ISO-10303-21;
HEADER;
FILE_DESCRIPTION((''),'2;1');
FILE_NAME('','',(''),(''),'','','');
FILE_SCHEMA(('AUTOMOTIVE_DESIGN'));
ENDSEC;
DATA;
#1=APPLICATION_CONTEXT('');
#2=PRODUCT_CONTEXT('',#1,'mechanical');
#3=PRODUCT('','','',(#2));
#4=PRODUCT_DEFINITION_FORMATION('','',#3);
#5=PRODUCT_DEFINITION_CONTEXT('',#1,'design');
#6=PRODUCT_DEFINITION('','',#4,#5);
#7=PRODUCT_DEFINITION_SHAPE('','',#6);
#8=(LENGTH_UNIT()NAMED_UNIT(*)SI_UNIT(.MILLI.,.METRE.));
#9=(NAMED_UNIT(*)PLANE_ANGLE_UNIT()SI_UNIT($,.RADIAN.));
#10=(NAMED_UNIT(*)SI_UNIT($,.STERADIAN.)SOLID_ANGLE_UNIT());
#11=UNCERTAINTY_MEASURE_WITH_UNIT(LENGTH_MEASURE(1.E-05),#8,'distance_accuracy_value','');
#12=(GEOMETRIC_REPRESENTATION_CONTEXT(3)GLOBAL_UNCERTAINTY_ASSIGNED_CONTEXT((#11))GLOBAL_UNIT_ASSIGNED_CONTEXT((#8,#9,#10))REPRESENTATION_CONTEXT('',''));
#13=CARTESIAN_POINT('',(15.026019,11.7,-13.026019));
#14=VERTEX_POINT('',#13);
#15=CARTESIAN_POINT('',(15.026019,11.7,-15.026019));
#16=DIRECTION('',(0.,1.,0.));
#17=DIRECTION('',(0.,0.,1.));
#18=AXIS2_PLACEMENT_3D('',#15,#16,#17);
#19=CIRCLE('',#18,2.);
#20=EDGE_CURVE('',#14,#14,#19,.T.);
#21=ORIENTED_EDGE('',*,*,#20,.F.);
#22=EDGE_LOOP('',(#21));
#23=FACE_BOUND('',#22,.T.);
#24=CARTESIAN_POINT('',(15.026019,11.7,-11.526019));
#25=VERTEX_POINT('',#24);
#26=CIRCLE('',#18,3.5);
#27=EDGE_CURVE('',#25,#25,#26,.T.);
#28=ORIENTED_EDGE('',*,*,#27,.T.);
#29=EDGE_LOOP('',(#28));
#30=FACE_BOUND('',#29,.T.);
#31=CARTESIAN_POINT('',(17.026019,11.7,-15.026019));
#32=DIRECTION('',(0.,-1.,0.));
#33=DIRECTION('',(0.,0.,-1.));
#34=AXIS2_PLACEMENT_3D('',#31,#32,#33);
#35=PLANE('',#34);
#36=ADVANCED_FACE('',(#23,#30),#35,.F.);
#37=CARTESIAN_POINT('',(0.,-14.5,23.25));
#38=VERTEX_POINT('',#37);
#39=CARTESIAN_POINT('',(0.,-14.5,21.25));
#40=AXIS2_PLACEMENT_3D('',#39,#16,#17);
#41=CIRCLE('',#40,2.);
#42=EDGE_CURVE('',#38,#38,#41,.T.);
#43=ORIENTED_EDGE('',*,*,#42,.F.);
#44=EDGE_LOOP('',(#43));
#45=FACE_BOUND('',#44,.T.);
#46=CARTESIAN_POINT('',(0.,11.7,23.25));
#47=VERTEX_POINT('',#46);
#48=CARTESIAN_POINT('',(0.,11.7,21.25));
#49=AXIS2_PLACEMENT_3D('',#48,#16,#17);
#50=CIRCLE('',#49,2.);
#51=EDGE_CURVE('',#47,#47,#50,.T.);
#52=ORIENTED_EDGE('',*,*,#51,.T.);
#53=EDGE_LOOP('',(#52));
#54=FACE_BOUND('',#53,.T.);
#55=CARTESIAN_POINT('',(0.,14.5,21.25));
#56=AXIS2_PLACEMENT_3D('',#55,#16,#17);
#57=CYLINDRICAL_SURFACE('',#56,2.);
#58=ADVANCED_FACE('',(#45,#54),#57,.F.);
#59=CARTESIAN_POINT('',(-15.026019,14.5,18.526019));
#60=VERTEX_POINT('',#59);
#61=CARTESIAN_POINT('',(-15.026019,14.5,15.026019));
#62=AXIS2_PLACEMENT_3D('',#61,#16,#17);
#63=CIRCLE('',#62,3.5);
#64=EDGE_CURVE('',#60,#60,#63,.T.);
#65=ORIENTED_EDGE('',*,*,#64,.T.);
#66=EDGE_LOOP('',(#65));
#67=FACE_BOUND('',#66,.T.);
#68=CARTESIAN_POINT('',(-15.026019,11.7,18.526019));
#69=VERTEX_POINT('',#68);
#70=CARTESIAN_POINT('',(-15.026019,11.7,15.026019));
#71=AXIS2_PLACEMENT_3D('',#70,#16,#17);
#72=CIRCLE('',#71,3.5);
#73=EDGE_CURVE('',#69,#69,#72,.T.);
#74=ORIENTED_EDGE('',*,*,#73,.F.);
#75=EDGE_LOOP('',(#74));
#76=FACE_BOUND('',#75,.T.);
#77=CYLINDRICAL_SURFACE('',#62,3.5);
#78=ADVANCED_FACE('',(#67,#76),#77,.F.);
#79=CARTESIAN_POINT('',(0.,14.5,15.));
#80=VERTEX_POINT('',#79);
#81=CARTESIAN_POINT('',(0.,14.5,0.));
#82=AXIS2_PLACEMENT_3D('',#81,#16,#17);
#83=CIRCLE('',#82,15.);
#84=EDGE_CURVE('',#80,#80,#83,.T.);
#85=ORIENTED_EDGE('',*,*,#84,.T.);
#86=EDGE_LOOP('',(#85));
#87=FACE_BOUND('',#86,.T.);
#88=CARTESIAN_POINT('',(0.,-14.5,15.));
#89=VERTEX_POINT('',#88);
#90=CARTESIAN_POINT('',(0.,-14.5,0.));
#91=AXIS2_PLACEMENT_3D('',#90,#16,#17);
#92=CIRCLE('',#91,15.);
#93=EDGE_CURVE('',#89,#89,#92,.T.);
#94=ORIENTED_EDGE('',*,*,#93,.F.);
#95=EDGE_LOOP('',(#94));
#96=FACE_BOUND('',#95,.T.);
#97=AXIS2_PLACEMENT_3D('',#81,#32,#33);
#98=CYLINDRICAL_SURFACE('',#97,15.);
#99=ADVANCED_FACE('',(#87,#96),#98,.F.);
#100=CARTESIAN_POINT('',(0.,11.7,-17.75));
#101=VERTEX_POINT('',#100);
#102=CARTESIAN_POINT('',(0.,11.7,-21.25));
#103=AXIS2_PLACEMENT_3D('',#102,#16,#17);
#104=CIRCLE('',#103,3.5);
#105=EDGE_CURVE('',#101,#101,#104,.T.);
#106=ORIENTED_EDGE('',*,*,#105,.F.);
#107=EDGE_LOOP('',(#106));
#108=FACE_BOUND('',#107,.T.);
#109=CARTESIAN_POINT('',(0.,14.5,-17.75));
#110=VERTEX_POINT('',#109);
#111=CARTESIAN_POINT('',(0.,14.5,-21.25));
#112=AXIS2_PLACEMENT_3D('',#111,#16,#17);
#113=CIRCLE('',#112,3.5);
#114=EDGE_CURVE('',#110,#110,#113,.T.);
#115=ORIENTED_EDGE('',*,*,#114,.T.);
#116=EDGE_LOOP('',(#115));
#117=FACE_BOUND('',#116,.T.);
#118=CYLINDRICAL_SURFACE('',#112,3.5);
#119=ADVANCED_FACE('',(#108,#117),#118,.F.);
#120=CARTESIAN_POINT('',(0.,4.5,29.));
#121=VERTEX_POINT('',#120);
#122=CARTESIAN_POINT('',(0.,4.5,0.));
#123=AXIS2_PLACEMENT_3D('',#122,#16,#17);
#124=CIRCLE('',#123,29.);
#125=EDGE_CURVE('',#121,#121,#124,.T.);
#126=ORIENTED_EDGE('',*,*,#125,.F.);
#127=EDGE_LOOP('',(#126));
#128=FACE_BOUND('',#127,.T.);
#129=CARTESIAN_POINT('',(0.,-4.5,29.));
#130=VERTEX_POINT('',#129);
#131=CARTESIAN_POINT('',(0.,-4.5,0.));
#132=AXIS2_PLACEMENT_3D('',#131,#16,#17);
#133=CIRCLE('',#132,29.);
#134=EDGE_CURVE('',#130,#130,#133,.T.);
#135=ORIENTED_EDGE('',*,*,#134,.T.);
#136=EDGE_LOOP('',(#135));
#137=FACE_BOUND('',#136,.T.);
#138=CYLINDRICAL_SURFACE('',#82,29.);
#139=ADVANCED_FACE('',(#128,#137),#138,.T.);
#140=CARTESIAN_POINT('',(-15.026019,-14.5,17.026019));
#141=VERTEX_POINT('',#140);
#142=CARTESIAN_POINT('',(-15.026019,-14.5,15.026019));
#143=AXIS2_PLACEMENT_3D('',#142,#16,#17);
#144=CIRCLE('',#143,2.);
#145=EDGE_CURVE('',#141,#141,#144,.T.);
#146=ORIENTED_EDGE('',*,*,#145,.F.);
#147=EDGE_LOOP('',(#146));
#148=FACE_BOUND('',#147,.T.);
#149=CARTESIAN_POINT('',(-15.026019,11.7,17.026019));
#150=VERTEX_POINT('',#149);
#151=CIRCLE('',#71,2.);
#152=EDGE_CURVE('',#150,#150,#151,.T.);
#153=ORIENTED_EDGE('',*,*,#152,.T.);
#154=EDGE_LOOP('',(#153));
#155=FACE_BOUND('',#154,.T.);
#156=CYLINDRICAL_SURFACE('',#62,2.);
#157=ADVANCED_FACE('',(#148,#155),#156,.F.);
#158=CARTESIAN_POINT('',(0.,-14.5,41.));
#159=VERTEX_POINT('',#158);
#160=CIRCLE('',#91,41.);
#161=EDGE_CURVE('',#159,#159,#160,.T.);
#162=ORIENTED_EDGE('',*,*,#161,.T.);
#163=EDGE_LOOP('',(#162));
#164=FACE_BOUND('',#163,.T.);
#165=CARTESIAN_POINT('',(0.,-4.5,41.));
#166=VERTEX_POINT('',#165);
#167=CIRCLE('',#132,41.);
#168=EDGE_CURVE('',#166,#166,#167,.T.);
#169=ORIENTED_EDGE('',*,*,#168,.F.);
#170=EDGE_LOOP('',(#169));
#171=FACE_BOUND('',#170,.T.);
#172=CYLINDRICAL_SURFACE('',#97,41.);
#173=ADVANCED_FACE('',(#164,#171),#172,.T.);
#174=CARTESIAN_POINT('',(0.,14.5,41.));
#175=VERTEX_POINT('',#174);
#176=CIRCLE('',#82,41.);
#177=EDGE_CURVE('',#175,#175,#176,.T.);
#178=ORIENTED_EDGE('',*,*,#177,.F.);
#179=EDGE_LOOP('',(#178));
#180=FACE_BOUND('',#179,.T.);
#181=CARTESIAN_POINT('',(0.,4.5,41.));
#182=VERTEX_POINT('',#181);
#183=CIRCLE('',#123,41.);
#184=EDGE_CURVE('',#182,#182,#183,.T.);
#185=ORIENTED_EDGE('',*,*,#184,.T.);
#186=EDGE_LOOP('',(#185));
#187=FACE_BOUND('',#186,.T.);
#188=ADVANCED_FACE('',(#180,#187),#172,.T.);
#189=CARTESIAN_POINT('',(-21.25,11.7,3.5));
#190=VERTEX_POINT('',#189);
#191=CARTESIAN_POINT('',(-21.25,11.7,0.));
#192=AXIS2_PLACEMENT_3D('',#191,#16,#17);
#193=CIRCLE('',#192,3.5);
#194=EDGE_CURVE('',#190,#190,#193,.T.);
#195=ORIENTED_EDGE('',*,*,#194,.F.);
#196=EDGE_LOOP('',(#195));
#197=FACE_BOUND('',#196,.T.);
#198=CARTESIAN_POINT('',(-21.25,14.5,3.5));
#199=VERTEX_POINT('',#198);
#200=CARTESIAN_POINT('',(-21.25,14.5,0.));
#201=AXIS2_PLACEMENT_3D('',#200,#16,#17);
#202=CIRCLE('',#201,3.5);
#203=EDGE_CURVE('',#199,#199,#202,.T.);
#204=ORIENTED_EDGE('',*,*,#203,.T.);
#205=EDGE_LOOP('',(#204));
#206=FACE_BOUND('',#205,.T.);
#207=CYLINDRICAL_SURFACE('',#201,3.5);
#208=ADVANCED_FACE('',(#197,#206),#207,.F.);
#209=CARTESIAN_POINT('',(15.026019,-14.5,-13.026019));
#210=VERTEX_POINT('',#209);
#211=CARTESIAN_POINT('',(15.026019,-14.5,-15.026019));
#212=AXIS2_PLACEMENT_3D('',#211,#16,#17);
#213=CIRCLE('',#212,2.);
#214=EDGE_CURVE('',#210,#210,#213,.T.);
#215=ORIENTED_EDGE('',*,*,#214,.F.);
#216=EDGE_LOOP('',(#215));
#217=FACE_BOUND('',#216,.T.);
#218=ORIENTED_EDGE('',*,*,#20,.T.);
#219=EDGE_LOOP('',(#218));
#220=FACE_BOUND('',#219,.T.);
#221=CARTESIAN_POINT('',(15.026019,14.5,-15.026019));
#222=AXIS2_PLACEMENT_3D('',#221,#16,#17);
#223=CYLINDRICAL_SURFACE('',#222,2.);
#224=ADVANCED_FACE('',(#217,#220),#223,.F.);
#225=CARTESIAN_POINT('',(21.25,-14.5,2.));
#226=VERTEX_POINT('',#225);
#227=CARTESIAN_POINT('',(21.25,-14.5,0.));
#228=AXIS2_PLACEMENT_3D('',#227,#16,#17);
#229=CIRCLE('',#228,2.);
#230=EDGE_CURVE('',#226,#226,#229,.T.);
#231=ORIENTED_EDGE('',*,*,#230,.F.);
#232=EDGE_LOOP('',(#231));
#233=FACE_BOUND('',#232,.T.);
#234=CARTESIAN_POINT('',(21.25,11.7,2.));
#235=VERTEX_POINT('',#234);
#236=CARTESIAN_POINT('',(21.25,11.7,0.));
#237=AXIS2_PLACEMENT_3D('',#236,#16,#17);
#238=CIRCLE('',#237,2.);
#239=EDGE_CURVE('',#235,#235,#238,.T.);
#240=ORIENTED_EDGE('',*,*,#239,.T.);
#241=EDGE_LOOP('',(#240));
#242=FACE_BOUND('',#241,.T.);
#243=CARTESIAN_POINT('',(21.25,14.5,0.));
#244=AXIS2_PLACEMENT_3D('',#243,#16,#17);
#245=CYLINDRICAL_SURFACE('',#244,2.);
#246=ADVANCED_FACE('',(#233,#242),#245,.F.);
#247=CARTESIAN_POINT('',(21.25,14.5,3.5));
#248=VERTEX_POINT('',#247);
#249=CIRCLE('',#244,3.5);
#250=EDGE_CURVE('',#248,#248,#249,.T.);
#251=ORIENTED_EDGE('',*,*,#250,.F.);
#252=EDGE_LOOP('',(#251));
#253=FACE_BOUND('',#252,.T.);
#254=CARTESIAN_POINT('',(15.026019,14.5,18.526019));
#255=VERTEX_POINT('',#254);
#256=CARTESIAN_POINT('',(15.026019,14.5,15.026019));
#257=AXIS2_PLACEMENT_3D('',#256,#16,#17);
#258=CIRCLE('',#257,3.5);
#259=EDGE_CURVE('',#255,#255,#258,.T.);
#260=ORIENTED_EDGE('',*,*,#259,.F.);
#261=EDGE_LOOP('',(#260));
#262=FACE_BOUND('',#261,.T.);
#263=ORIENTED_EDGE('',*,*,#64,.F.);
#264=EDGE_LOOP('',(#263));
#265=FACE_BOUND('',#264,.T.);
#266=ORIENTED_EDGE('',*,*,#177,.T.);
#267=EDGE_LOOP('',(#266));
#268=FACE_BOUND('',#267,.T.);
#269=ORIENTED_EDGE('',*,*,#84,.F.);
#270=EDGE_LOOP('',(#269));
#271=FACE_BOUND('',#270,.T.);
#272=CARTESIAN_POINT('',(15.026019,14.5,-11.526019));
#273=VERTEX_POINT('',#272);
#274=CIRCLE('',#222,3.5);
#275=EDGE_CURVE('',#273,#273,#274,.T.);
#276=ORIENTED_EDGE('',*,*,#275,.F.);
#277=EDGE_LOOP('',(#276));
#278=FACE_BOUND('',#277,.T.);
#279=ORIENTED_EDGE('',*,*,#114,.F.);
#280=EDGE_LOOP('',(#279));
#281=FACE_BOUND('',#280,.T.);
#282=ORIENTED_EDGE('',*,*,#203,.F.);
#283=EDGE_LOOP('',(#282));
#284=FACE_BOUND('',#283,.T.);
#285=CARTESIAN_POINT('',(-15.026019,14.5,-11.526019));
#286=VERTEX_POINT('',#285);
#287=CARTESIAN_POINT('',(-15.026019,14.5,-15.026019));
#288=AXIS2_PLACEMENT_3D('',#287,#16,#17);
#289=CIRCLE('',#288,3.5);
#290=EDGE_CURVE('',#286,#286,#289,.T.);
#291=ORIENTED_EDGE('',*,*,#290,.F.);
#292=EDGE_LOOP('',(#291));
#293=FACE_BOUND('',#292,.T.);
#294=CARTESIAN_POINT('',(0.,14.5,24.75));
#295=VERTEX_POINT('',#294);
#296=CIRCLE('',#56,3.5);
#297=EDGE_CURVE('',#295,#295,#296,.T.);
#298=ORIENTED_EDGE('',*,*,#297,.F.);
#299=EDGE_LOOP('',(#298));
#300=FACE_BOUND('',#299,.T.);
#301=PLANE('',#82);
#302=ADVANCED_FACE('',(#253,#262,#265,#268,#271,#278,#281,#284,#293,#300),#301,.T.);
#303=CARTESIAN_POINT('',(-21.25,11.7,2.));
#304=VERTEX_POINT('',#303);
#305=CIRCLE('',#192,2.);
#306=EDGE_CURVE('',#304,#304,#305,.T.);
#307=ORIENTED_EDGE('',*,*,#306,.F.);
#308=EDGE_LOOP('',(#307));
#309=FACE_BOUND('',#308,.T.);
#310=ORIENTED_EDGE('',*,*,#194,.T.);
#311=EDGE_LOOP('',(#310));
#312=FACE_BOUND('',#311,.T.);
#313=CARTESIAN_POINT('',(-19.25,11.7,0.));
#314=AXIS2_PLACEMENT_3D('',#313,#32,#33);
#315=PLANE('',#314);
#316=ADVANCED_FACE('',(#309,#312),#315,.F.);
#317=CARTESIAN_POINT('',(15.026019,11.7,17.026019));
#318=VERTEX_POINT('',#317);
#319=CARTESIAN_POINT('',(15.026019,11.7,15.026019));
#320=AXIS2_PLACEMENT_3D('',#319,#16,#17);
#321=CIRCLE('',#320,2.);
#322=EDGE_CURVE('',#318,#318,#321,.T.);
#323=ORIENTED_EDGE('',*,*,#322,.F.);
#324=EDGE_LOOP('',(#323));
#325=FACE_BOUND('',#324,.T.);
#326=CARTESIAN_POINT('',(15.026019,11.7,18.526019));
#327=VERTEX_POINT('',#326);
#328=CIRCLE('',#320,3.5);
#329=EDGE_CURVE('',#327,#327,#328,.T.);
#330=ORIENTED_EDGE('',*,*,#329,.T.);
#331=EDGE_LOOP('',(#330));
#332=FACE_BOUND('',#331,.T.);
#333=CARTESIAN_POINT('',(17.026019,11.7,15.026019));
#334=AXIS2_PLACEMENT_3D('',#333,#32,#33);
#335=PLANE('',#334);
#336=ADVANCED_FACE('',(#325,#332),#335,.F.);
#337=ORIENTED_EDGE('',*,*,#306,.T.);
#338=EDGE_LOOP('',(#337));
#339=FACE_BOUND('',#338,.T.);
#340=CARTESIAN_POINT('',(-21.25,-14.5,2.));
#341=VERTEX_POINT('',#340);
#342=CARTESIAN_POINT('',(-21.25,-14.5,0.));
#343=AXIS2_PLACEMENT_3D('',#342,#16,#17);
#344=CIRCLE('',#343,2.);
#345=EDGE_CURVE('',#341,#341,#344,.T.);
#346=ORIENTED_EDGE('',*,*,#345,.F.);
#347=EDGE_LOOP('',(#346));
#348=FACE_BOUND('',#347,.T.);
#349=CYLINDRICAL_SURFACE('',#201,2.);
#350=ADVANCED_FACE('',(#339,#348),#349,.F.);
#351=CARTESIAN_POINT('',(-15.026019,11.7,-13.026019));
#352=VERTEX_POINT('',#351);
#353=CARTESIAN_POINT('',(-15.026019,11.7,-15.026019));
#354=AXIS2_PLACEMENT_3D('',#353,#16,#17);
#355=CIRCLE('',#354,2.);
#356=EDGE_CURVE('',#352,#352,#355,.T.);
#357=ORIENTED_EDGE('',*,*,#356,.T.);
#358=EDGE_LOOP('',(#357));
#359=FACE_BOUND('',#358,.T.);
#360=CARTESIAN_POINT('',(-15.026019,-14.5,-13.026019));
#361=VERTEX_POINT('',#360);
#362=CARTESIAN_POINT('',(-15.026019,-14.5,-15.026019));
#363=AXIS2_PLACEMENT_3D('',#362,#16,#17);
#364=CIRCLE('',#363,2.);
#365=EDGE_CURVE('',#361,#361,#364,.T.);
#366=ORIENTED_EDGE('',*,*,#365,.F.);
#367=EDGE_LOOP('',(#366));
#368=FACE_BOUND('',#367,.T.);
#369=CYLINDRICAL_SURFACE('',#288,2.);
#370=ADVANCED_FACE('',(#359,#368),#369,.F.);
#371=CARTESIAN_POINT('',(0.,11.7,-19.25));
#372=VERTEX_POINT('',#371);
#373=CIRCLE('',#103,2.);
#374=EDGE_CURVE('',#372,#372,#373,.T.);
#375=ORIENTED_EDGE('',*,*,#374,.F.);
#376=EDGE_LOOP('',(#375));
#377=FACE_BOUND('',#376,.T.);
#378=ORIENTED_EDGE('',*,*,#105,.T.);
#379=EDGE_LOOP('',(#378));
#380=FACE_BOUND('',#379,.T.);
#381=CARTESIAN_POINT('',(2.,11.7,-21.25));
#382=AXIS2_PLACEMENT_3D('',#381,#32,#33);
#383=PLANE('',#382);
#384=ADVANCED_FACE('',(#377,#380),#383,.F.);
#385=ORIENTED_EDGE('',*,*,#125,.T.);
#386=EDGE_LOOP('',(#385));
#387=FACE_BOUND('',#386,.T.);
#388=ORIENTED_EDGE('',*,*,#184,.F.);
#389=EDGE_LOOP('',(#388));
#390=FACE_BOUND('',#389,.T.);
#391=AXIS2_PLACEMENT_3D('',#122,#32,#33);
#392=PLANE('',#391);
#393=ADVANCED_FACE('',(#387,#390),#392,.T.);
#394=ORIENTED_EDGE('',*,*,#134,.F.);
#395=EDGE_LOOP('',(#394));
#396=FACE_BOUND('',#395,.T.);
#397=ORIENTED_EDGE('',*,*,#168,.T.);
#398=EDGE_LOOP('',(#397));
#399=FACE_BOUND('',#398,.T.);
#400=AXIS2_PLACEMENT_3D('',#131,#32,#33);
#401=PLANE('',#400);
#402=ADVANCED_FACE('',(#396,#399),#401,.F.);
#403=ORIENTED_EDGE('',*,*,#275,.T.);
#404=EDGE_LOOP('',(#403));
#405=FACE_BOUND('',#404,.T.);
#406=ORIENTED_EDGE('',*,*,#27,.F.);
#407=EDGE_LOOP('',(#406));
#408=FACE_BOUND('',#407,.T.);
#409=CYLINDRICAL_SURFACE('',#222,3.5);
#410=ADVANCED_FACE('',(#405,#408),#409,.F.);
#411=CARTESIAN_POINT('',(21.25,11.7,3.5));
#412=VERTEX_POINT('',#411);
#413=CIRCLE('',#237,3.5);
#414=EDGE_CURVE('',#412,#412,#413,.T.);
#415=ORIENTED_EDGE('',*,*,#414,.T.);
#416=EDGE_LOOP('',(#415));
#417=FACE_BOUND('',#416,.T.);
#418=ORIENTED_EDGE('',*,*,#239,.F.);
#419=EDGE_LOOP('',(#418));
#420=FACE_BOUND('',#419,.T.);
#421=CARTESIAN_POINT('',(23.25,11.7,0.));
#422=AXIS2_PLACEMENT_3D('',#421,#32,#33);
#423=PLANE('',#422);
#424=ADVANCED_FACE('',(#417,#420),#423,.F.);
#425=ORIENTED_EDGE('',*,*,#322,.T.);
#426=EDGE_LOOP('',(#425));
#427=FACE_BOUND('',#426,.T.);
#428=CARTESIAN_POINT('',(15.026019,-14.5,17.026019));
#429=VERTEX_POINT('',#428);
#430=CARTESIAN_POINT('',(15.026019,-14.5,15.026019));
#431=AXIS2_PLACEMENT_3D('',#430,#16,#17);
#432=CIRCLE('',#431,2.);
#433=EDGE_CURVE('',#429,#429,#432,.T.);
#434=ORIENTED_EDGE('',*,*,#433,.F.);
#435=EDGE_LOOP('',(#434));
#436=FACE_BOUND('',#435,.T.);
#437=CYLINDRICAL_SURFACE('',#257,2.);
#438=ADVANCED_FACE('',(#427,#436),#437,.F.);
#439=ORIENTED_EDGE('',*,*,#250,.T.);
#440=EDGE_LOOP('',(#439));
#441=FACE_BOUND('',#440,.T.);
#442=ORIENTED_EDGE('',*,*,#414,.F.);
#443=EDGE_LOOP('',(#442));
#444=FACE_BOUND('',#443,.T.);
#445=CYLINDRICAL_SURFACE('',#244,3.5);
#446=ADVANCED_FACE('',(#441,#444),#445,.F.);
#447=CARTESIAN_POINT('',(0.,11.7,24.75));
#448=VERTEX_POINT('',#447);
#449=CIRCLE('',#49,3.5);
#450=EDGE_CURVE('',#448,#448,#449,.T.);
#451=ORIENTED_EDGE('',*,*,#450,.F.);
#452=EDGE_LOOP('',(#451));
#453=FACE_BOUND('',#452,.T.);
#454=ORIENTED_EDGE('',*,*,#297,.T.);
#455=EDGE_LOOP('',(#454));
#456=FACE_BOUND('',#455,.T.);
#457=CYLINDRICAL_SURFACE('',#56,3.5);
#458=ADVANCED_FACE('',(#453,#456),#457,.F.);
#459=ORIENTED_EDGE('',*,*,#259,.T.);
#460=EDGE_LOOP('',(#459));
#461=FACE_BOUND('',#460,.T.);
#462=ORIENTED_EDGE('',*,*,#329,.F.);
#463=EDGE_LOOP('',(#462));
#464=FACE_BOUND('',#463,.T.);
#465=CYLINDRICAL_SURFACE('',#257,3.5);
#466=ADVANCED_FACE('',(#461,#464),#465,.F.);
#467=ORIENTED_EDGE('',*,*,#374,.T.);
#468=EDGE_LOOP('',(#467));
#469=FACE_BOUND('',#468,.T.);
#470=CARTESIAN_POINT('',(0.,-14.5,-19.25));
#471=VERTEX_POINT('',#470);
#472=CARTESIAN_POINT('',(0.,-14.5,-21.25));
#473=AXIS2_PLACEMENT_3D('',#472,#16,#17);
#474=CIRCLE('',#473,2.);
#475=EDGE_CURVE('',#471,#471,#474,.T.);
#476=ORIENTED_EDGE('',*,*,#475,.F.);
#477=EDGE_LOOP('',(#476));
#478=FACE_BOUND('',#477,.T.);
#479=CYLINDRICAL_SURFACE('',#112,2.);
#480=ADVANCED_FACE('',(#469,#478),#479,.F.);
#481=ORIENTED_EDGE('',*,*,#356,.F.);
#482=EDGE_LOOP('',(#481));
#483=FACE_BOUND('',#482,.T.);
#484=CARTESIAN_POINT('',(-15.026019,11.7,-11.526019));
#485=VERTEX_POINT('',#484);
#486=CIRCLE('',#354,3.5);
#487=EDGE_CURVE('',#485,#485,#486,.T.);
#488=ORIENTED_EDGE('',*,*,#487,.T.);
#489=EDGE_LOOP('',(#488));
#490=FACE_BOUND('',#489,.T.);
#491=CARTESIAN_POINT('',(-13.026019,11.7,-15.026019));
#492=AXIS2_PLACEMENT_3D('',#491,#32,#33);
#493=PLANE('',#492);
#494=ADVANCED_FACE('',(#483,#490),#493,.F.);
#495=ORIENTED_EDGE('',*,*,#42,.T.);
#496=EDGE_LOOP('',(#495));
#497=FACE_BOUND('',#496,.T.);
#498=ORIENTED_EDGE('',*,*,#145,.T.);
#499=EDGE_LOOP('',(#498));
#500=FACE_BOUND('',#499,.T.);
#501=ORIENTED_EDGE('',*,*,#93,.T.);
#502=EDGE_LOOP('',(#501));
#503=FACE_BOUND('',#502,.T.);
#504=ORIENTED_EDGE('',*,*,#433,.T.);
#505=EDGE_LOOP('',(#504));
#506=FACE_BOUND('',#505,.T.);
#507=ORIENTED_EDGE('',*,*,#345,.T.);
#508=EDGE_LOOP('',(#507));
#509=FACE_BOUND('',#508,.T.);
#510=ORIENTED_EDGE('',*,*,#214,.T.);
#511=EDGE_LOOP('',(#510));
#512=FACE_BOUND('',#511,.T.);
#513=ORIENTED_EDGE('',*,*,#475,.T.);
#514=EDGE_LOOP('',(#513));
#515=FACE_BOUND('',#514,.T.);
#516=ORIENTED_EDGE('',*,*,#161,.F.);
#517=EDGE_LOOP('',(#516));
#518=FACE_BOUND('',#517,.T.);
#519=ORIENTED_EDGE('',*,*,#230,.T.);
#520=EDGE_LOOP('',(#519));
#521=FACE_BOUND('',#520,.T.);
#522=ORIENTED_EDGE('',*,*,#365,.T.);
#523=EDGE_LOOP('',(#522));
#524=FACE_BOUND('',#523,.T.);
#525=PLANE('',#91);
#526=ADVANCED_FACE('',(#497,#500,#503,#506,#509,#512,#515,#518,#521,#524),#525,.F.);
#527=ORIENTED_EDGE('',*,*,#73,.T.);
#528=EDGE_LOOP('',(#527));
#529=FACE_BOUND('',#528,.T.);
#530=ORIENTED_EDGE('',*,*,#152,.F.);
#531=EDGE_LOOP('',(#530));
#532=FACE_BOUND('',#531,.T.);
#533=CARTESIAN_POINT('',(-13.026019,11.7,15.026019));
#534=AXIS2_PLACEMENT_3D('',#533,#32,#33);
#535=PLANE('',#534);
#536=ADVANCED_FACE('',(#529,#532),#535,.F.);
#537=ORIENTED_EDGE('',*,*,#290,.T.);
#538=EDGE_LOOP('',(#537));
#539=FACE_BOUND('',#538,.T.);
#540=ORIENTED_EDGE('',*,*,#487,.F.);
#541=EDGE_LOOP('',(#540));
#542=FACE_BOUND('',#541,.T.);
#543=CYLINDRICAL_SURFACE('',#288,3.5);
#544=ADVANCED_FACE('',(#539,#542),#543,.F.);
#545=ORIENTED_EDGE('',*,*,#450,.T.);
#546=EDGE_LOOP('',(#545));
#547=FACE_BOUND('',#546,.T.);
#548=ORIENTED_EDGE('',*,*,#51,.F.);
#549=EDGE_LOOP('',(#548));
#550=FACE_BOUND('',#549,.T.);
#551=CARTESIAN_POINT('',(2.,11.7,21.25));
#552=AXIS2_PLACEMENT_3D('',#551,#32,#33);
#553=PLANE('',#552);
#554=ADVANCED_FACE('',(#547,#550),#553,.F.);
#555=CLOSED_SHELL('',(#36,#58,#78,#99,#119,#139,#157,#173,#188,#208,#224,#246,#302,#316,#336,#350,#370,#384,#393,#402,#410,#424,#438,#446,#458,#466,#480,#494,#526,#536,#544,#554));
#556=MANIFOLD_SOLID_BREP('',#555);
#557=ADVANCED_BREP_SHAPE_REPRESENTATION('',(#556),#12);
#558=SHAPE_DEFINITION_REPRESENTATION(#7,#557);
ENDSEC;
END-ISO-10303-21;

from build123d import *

# Parameters (mm, degrees)
SKETCH1_R           = 41
SKETCH1_R_2         = 15
BOSS_EXTRUDE1_DEPTH = 14.5
SKETCH3_W           = 12
SKETCH3_H           = 9
HOLE1_D             = 4
HOLE1_CBORE_D       = 7
HOLE1_CBORE_DEPTH   = 2.8
CIRPATTERN1_COUNT   = 8


with BuildPart() as part:
    # Sketch1 → Boss-Extrude1 (new body, symmetric)
    with BuildSketch(Plane(origin=(0, 0, 0), x_dir=(1, 0, 0), z_dir=(0, 1, 0))):
        Circle(SKETCH1_R)
        Circle(SKETCH1_R_2, mode=Mode.SUBTRACT)
    extrude(amount=BOSS_EXTRUDE1_DEPTH, both=True)

    # Sketch3 → Cut-Revolve1 (revolve, cut)
    with BuildSketch(Plane(origin=(0, 0, 0), x_dir=(0, 0, -1), z_dir=(1, 0, 0))):
        with Locations((35, 0)):
            Rectangle(SKETCH3_W, SKETCH3_H)
    revolve(axis=Axis((0, 14.5, 0), (0, -1, 0)), mode=Mode.SUBTRACT)

    # Hole1 (through all)
    with Locations(Plane(origin=(0, 14.5, -21.25), x_dir=(0, 0, 1), z_dir=(0, 1, 0))):
        with Locations((0, 0)):
            hole1 = CounterBoreHole(HOLE1_D / 2, HOLE1_CBORE_D / 2, HOLE1_CBORE_DEPTH)

    # CirPattern1: Hole1 ×8 about axis
    cirpattern1_axis = Axis((0, 0, 0), (0, 1, 0))
    for i in range(1, CIRPATTERN1_COUNT):
        add(hole1.rotate(cirpattern1_axis, i * 360 / CIRPATTERN1_COUNT), mode=Mode.SUBTRACT)


solid = part.part
